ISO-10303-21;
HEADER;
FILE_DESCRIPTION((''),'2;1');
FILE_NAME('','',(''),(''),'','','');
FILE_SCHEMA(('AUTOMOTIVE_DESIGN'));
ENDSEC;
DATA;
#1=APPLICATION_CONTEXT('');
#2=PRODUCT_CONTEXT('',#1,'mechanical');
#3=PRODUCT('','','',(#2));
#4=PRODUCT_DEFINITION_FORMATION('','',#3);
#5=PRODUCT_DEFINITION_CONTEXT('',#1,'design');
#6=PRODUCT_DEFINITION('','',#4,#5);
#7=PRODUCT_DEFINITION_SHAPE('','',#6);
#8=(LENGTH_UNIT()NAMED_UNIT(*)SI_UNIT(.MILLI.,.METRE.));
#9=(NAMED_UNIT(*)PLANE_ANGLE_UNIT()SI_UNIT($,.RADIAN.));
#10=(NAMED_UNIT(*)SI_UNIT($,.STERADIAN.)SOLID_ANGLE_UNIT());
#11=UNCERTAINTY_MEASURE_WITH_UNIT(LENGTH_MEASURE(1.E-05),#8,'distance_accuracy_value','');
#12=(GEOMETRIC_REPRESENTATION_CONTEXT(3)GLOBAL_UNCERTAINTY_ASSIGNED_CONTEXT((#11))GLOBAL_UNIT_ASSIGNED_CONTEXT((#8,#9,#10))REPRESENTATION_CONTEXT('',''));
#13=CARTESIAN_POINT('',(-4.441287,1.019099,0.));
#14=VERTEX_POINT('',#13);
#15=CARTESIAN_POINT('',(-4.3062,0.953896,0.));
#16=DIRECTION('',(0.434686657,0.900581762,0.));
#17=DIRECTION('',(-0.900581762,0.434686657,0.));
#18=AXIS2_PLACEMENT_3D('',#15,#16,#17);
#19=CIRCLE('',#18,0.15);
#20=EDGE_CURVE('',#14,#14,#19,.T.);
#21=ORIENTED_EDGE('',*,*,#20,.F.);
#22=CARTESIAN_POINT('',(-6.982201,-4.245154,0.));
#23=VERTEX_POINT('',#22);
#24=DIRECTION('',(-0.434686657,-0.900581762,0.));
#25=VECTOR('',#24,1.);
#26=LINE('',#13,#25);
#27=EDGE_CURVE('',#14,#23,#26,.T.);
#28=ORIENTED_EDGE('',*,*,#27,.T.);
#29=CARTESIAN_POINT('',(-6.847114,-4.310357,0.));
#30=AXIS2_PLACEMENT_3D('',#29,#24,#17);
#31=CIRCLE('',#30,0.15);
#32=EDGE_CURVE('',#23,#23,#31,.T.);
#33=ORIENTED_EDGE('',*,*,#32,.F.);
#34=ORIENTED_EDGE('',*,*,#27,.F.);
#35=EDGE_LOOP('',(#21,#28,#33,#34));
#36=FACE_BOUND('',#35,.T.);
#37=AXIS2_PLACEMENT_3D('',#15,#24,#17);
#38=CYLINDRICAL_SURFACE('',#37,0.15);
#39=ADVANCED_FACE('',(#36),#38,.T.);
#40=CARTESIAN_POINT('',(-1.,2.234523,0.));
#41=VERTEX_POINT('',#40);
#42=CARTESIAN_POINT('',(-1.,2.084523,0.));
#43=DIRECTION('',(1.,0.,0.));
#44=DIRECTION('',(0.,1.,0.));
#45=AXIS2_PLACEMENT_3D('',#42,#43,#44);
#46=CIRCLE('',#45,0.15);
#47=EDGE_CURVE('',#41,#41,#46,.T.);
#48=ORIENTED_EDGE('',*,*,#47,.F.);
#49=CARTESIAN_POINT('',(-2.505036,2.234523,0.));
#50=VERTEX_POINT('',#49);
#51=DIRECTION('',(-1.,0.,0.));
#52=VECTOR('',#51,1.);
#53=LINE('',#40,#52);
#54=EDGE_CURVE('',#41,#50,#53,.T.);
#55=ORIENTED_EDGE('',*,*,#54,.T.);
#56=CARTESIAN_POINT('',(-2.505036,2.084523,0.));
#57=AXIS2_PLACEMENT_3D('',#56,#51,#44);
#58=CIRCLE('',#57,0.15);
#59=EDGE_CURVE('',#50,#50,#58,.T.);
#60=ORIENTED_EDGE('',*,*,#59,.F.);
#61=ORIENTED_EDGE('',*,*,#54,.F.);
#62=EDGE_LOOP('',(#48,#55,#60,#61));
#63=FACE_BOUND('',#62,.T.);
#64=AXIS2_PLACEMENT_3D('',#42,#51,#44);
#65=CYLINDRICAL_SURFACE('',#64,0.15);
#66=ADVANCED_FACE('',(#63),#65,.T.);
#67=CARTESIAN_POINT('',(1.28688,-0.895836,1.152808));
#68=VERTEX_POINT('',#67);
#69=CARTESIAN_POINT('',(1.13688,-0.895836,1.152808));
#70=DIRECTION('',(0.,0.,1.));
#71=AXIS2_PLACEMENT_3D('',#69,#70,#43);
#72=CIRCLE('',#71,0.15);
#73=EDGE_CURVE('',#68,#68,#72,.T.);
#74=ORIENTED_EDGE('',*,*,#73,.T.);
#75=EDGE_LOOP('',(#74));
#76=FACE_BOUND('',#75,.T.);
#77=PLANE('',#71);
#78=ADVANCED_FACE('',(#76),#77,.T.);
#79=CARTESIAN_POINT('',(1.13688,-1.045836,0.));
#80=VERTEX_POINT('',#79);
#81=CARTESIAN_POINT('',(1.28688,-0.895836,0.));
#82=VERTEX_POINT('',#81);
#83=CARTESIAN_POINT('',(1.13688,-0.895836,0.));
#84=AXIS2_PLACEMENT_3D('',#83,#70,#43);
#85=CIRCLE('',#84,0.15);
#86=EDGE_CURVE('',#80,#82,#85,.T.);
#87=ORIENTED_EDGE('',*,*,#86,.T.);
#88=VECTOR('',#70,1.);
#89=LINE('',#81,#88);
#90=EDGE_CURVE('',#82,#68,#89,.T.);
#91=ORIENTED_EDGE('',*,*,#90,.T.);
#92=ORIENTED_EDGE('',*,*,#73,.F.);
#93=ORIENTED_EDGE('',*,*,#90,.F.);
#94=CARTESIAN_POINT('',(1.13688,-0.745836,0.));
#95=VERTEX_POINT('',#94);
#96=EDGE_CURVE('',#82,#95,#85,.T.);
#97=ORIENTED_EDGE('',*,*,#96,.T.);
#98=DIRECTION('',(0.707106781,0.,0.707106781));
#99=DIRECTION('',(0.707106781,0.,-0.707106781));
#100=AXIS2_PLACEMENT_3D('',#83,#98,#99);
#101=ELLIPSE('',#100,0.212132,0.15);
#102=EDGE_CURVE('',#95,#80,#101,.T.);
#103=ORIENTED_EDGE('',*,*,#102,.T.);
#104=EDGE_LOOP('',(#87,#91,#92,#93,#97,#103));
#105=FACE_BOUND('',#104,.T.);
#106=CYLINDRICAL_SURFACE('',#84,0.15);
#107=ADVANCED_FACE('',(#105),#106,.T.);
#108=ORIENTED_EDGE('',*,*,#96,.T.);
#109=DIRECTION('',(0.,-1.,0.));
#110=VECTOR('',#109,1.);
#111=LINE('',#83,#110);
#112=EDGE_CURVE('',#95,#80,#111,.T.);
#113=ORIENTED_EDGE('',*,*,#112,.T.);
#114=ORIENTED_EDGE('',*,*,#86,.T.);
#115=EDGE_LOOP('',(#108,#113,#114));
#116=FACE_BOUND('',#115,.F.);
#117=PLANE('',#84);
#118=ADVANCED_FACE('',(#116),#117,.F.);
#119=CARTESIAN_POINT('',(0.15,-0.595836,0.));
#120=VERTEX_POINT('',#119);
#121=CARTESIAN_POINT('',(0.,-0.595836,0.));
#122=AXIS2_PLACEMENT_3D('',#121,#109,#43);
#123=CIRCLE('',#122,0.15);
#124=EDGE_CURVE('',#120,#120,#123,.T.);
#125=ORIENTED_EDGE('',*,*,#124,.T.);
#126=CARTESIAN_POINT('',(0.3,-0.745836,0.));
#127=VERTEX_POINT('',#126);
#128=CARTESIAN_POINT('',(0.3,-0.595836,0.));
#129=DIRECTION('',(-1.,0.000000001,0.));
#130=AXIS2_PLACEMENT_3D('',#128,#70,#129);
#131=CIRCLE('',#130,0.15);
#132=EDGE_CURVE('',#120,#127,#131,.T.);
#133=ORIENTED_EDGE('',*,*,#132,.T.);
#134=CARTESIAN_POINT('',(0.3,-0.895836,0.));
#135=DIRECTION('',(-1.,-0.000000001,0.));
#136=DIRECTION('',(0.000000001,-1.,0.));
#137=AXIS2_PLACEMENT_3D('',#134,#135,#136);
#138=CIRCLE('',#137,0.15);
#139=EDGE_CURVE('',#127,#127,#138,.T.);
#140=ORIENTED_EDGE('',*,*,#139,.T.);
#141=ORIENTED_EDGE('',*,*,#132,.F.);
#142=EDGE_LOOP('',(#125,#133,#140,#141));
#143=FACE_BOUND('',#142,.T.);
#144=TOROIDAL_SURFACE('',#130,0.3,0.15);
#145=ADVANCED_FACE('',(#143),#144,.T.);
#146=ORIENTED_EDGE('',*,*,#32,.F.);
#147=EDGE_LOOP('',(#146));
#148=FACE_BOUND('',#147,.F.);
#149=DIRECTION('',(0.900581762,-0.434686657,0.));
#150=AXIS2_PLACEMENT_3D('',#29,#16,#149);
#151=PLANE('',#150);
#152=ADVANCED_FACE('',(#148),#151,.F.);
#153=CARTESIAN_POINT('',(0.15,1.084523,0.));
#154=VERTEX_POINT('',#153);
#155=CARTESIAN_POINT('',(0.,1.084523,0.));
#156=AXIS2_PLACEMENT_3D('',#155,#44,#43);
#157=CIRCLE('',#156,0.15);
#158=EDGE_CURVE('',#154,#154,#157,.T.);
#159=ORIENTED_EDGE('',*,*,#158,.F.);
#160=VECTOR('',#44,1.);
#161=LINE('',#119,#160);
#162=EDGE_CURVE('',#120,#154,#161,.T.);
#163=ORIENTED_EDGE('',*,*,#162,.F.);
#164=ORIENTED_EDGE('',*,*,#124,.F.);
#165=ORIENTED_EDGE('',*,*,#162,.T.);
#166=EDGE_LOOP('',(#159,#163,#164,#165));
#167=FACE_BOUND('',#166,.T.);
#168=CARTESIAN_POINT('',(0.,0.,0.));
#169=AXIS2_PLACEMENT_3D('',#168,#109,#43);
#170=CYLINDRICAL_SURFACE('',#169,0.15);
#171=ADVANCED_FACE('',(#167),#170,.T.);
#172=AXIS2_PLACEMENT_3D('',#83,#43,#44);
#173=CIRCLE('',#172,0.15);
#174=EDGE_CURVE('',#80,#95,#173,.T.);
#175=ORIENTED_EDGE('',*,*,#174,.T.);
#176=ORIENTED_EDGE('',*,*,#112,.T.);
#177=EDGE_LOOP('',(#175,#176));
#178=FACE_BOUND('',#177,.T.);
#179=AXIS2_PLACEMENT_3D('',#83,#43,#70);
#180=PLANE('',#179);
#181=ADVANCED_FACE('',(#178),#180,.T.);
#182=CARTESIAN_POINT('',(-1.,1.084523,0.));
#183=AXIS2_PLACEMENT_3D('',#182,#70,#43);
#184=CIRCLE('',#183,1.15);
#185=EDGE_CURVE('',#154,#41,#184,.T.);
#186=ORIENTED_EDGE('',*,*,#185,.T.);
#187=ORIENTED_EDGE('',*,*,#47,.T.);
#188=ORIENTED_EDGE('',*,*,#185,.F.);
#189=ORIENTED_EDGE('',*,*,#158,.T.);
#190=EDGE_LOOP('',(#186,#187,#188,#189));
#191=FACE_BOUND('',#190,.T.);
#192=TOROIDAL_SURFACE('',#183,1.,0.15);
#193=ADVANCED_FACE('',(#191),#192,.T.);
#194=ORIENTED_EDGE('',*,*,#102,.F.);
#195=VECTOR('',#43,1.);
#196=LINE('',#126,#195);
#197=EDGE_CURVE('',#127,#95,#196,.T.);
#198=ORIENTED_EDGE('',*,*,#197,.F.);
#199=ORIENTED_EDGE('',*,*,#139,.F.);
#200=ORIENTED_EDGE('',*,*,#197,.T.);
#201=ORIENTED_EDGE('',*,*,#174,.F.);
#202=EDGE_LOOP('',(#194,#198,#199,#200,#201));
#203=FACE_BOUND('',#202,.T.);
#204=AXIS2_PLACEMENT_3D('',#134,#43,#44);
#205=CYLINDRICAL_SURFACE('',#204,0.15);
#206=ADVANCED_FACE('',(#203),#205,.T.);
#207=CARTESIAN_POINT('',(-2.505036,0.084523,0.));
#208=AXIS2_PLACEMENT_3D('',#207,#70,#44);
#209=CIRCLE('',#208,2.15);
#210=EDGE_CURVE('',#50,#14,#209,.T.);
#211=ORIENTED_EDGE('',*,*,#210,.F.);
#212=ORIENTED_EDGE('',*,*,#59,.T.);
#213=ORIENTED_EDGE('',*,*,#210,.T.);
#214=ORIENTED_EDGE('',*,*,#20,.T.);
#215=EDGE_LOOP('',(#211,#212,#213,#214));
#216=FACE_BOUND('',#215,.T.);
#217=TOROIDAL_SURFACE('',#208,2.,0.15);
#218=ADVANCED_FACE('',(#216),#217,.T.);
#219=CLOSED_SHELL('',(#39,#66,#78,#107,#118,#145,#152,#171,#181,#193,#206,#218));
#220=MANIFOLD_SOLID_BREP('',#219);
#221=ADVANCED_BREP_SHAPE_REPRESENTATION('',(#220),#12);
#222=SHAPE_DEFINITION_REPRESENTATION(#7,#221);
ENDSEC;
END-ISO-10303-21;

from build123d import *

# Parameters (mm, degrees)
F0_R = 0.15
F6_R = 0.15


with BuildPart() as f2:
    # F2: sweep along a path in F1
    with BuildLine(Plane.XY) as f2_path:
        Line((0, 0), (0, 1.0845226934))
        ThreePointArc((0, 1.0845226934), (-0.2928932188, 1.7916294746), (-1, 2.0845226934))
        Line((-1, 2.0845226934), (-2.505036419, 2.0845226934))
        ThreePointArc((-2.505036419, 2.0845226934), (-3.5683457273, 1.7784451577), (-4.3061999428, 0.9538960083))
        Line((-4.3061999428, 0.9538960083), (-6.8471138366, -4.3103573844))
    # F0 (on Front) → F2 (sweep)
    with BuildSketch(Plane.XZ):
        Circle(F0_R)
    sweep(path=f2_path.line)

    # F4: sweep along a path in F3
    with BuildLine(Plane.XY) as f4_path:
        Line((0, 0), (0, -0.5958363181))
        ThreePointArc((0, -0.5958363181), (0.0878679656, -0.8079683525), (0.3, -0.8958363181))
        Line((0.3, -0.8958363181), (1.136880412, -0.8958363181))
    # F0 (on Front) → F4 (sweep)
    with BuildSketch(Plane.XZ):
        Circle(F0_R)
    sweep(path=f4_path.line)

    # F7: sweep along a path in F5
    with BuildLine(Plane.YZ.offset(1.136880412)) as f7_path:
        Line((-0.8958363181, 0), (-0.8958363181, 1.1528083123))
    # F6 (on Top) → F7 (sweep)
    with BuildSketch(Plane.XY):
        with Locations((1.136880412, -0.8958363181)):
            Circle(F6_R)
    sweep(path=f7_path.line)


solid = f2.part
